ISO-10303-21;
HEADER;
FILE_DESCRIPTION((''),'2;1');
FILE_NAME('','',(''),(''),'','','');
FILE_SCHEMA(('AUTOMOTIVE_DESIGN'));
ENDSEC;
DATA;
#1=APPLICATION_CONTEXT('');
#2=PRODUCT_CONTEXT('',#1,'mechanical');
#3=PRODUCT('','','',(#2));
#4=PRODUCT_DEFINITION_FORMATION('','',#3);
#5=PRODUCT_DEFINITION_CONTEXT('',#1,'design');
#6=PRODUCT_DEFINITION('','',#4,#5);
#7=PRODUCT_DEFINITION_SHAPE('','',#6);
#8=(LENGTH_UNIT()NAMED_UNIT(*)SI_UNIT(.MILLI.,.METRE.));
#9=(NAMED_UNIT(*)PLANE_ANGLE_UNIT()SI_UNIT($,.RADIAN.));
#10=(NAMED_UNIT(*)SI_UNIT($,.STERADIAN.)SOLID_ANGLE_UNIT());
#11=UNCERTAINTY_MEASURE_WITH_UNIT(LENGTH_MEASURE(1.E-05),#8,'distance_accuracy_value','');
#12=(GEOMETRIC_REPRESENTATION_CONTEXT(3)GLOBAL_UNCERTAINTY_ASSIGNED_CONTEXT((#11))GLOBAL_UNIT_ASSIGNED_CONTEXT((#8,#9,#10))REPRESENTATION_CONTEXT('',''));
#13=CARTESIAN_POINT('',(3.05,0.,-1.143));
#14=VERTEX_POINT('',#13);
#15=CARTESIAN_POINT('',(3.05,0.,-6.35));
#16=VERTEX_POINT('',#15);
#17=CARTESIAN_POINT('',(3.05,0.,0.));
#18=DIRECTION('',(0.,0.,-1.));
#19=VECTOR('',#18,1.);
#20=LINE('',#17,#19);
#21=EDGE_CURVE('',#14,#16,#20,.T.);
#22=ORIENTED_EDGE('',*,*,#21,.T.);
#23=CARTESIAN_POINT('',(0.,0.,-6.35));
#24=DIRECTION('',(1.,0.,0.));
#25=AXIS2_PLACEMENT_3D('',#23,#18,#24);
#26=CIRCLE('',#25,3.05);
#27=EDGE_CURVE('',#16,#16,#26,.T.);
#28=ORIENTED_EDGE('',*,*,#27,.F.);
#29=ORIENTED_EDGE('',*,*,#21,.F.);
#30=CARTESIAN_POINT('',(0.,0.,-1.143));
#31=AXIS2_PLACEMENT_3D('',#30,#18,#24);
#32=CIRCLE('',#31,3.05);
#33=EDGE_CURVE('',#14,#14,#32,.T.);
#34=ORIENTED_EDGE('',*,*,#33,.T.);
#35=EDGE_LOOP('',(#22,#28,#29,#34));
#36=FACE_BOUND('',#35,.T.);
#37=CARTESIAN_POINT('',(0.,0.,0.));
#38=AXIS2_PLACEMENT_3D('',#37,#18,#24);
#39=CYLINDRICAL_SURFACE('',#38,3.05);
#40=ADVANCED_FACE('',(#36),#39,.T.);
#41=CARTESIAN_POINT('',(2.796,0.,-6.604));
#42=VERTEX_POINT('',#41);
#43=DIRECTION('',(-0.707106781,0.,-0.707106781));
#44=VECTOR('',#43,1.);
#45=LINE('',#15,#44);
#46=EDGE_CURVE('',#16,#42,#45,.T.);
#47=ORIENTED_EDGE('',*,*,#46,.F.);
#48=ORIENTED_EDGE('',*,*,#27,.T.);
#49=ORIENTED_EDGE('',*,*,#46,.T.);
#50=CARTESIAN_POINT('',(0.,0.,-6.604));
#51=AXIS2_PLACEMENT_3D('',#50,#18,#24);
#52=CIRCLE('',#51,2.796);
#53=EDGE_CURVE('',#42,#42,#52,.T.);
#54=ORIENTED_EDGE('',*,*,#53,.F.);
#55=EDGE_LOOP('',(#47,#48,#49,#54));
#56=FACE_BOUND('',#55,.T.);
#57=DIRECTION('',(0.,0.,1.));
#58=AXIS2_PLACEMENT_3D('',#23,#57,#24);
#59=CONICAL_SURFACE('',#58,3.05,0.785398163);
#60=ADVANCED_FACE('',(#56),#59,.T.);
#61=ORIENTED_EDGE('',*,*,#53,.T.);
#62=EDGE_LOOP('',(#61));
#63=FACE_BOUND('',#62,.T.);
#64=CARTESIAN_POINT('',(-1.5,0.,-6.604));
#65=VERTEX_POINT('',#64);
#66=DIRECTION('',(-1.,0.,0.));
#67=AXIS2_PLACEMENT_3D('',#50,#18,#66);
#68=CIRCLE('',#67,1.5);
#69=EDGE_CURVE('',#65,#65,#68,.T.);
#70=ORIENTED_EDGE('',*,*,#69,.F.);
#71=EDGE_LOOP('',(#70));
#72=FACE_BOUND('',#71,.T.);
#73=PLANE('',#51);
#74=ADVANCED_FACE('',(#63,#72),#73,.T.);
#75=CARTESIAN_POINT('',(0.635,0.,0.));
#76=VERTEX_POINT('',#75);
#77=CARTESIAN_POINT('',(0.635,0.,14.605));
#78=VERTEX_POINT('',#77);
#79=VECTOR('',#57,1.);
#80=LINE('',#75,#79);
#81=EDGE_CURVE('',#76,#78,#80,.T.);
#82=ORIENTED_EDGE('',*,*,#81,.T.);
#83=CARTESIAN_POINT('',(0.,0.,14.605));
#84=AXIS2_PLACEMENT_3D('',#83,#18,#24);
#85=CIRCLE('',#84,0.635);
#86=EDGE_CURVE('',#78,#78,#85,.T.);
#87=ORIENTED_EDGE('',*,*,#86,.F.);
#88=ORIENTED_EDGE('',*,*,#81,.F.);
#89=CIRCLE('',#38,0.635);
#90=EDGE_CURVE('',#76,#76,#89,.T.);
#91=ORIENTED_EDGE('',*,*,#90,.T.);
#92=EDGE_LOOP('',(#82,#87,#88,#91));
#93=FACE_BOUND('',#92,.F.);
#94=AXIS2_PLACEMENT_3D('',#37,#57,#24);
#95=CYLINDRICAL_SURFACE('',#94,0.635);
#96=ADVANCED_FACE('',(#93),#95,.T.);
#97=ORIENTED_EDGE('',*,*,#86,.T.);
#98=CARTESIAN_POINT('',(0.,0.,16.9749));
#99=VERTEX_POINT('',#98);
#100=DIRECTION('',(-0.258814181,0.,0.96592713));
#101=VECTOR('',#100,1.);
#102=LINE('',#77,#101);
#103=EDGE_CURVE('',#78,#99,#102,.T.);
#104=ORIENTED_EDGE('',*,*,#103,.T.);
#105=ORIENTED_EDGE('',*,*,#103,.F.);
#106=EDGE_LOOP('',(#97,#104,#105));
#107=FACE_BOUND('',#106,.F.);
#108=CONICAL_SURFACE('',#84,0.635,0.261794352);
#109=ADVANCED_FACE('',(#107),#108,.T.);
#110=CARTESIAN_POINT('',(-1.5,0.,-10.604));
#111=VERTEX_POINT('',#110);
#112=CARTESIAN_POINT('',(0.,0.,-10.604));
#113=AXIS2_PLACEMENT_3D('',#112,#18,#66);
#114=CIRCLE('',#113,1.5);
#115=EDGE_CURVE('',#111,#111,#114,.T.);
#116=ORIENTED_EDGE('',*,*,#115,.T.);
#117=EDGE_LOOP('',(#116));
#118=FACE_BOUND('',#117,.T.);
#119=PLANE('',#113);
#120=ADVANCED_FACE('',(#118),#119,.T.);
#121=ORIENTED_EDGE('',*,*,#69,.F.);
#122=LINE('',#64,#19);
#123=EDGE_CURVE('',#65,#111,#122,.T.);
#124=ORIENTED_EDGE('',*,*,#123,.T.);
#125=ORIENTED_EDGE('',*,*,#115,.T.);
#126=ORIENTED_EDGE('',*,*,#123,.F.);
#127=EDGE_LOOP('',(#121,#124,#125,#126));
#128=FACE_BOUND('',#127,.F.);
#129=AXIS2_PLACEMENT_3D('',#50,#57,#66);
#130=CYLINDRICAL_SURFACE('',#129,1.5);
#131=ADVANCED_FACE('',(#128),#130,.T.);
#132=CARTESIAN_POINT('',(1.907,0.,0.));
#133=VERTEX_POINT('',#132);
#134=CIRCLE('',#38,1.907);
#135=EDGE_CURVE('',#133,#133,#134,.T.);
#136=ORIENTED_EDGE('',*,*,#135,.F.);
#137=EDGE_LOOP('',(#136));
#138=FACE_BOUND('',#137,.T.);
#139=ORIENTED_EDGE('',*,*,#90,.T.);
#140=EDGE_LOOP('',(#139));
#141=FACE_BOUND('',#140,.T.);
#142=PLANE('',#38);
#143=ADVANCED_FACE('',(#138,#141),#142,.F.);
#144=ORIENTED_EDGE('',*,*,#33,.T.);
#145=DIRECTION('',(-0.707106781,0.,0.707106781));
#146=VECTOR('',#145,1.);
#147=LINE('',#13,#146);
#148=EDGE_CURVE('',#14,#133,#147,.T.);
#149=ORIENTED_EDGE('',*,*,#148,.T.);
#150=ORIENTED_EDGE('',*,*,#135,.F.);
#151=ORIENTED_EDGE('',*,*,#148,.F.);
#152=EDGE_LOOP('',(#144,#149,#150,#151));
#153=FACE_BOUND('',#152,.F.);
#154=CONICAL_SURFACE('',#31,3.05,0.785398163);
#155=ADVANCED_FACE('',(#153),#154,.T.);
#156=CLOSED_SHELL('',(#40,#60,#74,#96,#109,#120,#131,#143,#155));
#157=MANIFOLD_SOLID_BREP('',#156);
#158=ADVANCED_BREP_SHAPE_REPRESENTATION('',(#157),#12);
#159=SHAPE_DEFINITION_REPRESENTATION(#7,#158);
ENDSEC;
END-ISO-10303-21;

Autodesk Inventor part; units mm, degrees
ref_plane "YZ Plane" through (0, 0, 0) normal (1, 0, 0) x (0, 1, 0)
ref_plane "XZ Plane" through (0, 0, 0) normal (0, 1, 0) x (-1, 0, 0)
ref_plane "XY Plane" through (0, 0, 0) normal (0, 0, 1) x (1, 0, 0)
sketch "Sketch1" plane through (0, 0, 0) normal (0, 1, 0) x (-1, 0, 0)
  line L0 (0, 0) -> (-3.05, 0)
  line L1 (-3.05, 0) -> (-3.05, -6.604)
  line L2 (-3.05, -6.604) -> (0, -6.604)
  line L3 (0, -6.604) -> (0, 0)
  line L4 (0, 0) -> (-0.635, 0)
  line L5 (-0.635, 0) -> (-0.635, 14.605)
  line L6 (-0.635, 14.605) -> (0, 14.605)
  line L7 (0, 14.605) -> (0, 0)
  line L8 (-0.635, 14.605) -> (0, 16.9749)
  line L9 (-0.635, 14.605) -> (1.8185, 14.605) construction
  line L10 (0, 16.9749) -> (0, 14.605)
  dimension "d0" = 3.05
  dimension "d1" = 6.604
  dimension "d2" = 0.635
  dimension "d3" = 14.605
  dimension "d13" = 75
  dimension "d14" = 15
  dimension "d15" = 16.9748
  dimension "d16" = 23.5788
revolve "Revolution1" add sketch "Sketch1" angle 360 about axis through (0, 0, 14.605) along (0, 0, -1)
sketch "Sketch2" plane through (0, 0, -6.604) normal (0, 0, -1) x (-1, 0, 0)
  circle A0 centre (0, 0) radius 3.05 projected
  circle A1 centre (0, 0) radius 1.5
  dimension "d5" = 3
extrude "Extrusion1" add sketch "Sketch2" along normal blind 4 contours A1
chamfer "Chamfer1" distance 1.143 angle 45 1 edges at (-3.05, 0, 0)
chamfer "Chamfer2" distance 0.254 angle 45 1 edges at (-3.05, 0, -6.604)
thread "Thread1" size "M3x0.5" class "6g" standard "ANSI Metric M Profile" full length
properties part number "carbide_probe_30deg_tip_r02" material "Steel, High Strength, Low Alloy"
